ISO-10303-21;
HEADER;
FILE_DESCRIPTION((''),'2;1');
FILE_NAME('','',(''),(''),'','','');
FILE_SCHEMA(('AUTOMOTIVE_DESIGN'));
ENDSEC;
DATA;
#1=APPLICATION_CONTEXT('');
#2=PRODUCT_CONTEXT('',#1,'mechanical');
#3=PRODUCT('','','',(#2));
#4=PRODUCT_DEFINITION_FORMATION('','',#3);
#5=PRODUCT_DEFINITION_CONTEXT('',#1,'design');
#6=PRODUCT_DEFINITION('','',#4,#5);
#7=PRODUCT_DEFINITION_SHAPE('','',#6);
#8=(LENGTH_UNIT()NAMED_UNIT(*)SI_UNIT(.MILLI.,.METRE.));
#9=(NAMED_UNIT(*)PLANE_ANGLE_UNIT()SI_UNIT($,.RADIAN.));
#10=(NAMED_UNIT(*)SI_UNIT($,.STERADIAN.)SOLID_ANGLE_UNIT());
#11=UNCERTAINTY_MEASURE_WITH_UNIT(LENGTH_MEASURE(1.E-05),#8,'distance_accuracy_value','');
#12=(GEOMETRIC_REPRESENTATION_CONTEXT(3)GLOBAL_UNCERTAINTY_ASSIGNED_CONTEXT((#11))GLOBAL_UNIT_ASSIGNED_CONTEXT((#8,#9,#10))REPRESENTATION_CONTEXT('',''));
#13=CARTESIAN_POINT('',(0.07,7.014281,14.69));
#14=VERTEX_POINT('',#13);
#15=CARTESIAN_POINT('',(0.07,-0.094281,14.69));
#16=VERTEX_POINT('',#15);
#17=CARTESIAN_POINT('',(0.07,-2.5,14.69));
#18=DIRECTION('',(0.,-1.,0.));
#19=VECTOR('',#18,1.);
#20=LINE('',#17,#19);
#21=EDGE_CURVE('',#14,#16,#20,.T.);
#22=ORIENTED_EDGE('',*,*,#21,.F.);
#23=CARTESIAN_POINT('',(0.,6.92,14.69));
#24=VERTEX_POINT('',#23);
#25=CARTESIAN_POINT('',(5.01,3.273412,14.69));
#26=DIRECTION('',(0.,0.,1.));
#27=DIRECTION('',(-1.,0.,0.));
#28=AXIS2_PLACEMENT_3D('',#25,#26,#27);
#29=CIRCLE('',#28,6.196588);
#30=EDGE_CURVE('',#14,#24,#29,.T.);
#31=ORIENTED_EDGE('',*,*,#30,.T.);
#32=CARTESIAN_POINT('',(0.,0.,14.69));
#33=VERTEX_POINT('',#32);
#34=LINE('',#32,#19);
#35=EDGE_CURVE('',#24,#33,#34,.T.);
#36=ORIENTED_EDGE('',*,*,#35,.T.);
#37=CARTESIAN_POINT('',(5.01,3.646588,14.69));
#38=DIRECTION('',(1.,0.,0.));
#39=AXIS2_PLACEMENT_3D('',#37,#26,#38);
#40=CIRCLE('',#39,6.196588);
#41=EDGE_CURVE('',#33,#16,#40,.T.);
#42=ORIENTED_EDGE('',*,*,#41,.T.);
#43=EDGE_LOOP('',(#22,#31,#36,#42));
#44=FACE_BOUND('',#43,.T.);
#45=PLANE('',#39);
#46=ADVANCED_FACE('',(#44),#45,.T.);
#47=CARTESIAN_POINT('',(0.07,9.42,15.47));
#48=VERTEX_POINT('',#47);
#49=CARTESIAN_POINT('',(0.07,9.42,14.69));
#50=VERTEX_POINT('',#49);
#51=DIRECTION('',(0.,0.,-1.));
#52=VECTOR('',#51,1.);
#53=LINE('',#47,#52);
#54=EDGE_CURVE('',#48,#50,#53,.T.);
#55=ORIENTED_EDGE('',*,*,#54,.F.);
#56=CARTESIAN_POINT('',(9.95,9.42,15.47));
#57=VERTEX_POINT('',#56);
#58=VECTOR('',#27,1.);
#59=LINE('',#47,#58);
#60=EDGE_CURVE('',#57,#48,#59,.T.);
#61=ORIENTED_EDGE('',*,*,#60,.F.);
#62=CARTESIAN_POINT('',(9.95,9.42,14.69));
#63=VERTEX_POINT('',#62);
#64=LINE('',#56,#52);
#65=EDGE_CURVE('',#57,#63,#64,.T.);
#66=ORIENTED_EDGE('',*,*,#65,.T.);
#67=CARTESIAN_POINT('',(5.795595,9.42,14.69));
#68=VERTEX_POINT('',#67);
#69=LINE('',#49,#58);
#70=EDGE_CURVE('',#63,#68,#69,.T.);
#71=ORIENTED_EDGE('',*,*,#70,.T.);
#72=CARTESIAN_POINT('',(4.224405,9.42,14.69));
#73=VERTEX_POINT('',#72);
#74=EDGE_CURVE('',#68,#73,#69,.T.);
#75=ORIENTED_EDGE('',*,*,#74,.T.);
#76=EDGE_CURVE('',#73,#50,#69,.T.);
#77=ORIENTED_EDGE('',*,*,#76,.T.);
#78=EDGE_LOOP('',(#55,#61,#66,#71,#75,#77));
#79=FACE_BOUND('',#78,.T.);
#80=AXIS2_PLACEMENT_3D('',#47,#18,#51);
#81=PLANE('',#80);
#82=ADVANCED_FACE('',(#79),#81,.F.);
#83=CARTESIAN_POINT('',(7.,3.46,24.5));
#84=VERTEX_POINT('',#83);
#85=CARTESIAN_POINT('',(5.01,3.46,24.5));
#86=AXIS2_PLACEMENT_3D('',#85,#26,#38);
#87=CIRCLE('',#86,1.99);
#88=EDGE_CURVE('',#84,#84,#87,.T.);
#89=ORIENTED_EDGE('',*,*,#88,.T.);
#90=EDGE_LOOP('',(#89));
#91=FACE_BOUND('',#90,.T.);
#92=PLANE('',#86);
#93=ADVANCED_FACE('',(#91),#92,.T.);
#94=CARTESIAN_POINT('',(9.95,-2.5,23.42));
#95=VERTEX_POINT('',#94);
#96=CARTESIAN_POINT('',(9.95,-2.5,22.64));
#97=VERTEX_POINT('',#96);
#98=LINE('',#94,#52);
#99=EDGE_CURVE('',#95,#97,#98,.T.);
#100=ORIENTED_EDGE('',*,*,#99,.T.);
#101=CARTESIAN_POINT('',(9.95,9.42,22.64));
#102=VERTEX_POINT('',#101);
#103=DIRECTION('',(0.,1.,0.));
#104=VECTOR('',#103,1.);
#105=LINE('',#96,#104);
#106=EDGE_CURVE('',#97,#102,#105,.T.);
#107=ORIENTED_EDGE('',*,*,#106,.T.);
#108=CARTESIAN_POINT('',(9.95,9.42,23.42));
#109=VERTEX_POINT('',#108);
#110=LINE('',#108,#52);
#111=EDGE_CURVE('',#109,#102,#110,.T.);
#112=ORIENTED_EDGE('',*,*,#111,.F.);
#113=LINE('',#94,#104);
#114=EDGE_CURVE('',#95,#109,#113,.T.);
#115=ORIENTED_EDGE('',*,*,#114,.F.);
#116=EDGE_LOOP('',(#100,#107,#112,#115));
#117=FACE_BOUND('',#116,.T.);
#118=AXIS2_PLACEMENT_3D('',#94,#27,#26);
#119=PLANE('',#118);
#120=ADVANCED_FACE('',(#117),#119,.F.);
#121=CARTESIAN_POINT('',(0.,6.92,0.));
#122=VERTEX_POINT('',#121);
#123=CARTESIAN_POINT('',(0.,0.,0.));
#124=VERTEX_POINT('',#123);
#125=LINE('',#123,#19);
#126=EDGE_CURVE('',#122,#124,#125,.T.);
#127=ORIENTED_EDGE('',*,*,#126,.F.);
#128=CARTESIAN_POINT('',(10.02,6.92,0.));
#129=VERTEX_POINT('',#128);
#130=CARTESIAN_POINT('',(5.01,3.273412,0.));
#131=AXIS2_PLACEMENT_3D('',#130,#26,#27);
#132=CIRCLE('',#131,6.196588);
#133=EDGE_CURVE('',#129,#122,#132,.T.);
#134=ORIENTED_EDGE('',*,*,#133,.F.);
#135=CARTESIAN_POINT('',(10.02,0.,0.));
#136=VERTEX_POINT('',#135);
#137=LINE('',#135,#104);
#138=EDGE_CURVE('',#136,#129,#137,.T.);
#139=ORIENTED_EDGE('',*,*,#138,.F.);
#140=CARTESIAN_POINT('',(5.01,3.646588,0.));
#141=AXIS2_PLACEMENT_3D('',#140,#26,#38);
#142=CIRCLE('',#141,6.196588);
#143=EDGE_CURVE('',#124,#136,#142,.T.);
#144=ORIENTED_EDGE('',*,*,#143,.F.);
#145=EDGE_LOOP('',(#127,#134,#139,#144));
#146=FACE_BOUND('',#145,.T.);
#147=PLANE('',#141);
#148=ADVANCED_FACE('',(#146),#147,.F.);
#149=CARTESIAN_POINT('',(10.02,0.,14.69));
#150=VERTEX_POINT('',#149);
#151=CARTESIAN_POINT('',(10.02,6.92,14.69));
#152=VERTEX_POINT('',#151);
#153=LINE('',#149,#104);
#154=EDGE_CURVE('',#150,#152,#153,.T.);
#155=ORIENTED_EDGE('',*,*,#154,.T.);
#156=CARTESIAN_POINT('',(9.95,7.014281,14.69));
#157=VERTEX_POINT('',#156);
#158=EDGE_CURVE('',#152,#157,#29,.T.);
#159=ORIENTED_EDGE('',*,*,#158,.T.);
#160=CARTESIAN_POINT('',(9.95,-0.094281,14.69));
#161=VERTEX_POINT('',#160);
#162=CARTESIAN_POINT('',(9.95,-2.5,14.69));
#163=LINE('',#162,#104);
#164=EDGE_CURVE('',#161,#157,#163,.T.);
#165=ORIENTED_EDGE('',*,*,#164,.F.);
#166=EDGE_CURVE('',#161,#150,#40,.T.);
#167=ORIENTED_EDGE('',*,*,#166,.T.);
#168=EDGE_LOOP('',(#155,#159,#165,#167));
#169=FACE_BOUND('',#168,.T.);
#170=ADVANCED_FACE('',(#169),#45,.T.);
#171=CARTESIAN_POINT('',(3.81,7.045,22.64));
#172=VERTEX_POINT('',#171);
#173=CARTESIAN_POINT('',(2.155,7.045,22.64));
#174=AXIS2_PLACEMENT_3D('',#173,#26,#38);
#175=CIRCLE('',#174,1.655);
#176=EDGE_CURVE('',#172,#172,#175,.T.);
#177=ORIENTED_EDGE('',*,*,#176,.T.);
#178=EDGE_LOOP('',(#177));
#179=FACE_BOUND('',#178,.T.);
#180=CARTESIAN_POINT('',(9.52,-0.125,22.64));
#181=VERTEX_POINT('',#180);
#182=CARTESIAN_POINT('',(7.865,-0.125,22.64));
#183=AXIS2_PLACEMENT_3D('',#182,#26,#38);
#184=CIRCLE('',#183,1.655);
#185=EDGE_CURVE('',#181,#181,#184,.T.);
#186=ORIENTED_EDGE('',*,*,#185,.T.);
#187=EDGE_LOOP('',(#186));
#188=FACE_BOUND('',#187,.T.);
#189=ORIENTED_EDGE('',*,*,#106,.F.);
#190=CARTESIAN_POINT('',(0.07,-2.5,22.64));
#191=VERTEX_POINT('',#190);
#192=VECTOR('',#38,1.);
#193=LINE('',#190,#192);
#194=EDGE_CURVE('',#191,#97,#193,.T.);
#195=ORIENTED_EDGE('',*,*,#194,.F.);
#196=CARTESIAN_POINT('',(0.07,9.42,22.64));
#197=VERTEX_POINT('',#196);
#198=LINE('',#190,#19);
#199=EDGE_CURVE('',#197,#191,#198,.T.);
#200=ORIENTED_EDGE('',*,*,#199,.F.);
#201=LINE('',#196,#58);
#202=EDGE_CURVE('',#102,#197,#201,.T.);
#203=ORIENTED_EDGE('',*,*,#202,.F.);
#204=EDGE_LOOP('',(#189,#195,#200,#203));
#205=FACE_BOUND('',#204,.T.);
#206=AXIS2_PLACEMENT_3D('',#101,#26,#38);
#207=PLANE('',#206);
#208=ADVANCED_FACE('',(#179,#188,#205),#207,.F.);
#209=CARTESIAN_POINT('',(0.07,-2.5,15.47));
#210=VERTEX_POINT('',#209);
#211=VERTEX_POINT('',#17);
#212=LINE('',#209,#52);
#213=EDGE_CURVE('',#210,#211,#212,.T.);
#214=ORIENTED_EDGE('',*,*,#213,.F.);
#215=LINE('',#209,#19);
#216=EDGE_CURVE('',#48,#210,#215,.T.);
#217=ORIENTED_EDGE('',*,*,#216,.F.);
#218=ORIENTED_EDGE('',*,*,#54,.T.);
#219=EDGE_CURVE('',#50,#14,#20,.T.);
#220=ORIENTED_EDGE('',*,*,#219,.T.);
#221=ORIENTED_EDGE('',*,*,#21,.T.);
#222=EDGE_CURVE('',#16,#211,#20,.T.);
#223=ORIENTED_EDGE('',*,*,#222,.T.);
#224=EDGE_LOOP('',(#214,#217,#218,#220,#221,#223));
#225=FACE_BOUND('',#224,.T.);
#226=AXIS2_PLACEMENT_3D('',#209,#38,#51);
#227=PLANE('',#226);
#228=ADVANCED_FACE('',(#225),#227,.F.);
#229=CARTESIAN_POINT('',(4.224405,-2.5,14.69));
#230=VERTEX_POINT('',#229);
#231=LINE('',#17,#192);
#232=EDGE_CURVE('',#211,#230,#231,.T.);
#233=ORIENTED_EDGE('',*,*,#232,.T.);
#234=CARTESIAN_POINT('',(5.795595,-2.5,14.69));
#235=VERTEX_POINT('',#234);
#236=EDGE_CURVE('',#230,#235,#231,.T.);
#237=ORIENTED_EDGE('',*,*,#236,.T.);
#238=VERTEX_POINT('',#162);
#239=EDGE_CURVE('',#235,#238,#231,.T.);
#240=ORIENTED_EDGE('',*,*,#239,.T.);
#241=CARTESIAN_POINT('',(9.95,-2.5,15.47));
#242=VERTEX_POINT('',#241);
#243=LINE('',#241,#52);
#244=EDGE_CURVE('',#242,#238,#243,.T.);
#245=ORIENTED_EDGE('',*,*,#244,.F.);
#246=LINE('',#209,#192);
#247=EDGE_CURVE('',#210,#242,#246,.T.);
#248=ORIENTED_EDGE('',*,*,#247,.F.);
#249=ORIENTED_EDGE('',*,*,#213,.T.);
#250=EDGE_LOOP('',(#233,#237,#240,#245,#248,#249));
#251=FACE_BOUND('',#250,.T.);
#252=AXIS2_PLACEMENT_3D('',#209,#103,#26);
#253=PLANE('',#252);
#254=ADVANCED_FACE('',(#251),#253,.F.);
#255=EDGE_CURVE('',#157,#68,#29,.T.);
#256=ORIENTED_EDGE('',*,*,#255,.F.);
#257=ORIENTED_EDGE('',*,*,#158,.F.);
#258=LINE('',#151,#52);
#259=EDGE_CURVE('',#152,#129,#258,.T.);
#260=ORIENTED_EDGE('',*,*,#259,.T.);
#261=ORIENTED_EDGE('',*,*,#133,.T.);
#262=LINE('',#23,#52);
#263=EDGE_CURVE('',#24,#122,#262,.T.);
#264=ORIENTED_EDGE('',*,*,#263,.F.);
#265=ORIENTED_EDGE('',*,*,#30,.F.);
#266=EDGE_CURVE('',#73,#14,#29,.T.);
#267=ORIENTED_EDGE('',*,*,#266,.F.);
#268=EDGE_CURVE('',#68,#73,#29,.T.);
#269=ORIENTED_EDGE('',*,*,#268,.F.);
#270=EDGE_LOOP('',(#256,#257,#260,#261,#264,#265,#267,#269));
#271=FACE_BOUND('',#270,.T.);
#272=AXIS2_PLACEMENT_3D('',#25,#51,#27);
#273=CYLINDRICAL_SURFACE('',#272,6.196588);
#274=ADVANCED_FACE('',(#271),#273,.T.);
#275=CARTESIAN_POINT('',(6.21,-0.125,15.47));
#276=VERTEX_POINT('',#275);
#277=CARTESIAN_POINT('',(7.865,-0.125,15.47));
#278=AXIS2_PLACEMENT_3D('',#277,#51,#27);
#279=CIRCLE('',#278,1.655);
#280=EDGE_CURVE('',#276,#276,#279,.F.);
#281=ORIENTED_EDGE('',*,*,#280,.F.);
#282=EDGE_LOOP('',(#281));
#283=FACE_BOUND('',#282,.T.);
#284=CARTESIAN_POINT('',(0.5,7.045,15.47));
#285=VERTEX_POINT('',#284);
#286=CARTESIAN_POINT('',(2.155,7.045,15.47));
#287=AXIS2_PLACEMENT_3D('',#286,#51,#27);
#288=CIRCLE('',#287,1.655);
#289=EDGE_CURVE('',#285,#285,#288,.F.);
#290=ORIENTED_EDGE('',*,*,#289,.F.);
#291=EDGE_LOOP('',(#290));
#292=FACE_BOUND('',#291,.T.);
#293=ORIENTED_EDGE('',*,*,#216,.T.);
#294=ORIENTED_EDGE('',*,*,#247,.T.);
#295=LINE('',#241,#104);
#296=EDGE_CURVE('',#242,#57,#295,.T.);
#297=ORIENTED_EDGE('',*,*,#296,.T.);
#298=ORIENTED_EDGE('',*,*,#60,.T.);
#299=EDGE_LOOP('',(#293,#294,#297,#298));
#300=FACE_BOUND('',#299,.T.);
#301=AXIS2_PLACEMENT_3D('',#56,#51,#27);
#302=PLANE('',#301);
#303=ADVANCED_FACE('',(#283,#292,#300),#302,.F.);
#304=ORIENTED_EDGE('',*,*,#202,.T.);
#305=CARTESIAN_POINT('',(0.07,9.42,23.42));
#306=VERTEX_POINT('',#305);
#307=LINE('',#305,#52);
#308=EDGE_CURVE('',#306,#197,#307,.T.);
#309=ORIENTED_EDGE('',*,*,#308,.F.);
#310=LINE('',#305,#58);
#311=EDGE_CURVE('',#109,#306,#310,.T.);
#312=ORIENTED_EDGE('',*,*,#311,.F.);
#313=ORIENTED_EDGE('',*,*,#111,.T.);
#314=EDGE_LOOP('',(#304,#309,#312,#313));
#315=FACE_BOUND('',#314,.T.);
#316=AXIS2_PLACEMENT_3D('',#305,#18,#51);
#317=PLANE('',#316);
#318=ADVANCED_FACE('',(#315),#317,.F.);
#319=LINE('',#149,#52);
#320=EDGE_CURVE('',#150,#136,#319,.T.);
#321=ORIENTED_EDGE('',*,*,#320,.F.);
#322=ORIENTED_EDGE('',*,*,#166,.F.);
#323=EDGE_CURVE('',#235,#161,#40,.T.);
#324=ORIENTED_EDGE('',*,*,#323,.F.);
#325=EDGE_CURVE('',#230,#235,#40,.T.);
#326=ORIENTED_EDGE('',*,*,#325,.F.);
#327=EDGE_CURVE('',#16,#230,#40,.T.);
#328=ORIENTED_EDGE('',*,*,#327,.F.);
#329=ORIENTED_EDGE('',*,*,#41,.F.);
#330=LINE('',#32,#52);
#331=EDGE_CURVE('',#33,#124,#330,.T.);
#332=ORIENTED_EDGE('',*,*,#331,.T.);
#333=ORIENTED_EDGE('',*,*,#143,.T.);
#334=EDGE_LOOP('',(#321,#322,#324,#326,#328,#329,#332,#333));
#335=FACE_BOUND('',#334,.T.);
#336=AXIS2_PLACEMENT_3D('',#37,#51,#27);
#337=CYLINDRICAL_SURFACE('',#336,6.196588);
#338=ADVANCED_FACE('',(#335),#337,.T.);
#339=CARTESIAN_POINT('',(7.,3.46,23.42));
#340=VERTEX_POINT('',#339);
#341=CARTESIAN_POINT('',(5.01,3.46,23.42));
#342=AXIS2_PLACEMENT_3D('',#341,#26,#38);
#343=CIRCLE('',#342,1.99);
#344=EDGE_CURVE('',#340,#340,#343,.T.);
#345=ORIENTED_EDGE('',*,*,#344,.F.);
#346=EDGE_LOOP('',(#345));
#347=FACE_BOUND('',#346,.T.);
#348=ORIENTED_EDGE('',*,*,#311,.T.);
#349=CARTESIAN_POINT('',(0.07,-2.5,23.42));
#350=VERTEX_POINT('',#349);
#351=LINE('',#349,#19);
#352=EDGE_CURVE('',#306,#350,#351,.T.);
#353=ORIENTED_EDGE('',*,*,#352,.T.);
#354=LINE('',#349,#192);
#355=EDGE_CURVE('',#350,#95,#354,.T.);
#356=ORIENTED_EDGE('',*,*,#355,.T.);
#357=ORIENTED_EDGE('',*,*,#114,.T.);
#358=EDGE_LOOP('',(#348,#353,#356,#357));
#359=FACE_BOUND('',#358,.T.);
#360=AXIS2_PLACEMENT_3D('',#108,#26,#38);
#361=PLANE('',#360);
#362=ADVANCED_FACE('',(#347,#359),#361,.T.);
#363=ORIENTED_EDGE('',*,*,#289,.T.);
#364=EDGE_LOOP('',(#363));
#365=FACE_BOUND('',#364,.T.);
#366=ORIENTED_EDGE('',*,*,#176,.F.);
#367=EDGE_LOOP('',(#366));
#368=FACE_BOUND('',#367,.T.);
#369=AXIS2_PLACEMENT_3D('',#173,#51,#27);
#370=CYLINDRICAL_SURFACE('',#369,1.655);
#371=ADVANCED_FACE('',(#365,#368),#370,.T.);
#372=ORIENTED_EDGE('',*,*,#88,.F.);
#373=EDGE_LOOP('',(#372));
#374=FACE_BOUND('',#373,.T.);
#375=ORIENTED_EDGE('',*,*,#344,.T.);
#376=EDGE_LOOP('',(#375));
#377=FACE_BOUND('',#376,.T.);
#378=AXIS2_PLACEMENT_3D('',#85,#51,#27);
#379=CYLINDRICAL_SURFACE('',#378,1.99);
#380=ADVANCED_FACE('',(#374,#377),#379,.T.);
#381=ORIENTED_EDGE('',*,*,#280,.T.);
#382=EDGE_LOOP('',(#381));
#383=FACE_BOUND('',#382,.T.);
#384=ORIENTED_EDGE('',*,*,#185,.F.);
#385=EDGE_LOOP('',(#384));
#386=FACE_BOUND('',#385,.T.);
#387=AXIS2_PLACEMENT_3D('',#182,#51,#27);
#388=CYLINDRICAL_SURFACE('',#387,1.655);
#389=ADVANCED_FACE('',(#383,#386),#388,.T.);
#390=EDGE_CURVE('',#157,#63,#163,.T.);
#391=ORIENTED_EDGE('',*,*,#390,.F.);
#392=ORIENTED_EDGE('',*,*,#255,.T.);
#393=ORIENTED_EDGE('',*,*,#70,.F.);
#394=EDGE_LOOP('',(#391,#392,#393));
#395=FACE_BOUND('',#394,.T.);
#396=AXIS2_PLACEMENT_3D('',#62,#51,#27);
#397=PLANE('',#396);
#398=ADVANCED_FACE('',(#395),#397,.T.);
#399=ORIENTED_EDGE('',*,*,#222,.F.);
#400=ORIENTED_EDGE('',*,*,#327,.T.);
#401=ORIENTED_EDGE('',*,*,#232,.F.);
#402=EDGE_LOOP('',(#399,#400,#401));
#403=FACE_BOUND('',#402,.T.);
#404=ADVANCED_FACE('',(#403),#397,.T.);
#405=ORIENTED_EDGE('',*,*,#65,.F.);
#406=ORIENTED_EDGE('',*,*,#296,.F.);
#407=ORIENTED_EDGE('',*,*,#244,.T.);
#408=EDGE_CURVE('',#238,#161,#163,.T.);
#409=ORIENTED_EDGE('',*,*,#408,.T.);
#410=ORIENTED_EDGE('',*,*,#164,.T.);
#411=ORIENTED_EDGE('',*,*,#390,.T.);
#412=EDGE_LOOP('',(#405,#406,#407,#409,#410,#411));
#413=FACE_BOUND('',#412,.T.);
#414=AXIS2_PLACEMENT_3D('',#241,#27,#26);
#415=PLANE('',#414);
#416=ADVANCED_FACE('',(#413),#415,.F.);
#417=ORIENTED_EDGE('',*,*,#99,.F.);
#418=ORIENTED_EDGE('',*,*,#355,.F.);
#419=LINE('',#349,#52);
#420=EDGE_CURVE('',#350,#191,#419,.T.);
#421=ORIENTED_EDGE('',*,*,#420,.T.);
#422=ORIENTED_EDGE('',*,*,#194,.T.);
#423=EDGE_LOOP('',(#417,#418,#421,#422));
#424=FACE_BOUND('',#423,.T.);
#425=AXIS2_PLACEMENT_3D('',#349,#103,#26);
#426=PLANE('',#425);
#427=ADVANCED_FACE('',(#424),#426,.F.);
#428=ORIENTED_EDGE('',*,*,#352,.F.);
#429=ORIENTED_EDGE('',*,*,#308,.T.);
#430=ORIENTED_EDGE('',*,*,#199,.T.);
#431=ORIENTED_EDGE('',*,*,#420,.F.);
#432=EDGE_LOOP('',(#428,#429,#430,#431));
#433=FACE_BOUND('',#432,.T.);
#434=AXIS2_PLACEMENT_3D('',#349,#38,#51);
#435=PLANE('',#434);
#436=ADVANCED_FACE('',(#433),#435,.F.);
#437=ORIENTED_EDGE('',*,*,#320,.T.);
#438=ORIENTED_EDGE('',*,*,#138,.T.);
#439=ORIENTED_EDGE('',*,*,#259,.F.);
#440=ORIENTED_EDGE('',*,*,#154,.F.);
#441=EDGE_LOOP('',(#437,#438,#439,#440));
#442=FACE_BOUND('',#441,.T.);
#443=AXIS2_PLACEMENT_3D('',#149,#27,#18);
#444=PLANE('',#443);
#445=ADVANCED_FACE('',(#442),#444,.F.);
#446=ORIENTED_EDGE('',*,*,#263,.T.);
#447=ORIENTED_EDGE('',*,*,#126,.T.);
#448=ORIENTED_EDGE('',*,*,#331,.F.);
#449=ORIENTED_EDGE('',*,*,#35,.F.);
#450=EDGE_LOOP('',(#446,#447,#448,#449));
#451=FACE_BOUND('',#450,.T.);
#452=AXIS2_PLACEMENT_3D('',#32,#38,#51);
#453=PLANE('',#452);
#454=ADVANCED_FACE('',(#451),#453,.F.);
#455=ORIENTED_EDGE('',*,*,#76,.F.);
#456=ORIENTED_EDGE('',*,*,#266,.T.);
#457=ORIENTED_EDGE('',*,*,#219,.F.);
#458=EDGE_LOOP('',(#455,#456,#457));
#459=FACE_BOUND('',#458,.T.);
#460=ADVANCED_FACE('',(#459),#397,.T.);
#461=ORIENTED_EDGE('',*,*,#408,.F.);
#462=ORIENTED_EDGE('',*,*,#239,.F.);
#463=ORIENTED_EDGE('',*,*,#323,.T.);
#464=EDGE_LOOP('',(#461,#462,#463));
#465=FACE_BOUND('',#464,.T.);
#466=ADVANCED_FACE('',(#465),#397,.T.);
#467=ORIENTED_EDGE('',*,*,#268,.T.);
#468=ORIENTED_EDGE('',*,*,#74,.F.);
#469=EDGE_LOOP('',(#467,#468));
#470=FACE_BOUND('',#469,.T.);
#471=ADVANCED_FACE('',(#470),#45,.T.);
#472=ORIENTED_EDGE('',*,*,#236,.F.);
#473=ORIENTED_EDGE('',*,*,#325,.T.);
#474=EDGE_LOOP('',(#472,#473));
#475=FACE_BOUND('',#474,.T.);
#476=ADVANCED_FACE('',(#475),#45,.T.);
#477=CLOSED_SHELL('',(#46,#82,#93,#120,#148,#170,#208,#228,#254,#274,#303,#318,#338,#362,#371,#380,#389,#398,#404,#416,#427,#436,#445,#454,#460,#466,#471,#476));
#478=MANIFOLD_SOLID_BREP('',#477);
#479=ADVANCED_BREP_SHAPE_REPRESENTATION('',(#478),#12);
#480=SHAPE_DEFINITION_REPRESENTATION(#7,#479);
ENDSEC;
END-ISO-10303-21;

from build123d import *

# Parameters (mm, degrees)
BOSS_EXTRU_2_DEPTH = 14.69
ESQUISSE2_W        = 9.88
ESQUISSE2_H        = 11.92
BOSS_EXTRU_3_DEPTH = 0.78
ESQUISSE3_R        = 1.655
BOSS_EXTRU_4_DEPTH = 7.17
ESQUISSE4_W        = 9.88
ESQUISSE4_H        = 11.92
BOSS_EXTRU_5_DEPTH = 0.78
ESQUISSE5_R        = 1.99
BOSS_EXTRU_6_DEPTH = 1.08


with BuildPart() as part:
    # Esquisse1 → Boss.-Extru.2 (new body)
    with BuildSketch(Plane.XY):
        with BuildLine():
            Line((0, 0), (0, 6.92))
            ThreePointArc((0, 6.92), (5.01, 9.47), (10.02, 6.92))
            Line((10.02, 6.92), (10.02, 0))
            ThreePointArc((10.02, 0), (5.01, -2.55), (0, 0))
        make_face()
    extrude(amount=BOSS_EXTRU_2_DEPTH)

    # Esquisse2 → Boss.-Extru.3 (add)
    with BuildSketch(Plane.XY.offset(14.69)):
        with Locations((5.01, 3.46)):
            Rectangle(ESQUISSE2_W, ESQUISSE2_H)
    extrude(amount=BOSS_EXTRU_3_DEPTH)

    # Esquisse3 → Boss.-Extru.4 (add)
    with BuildSketch(Plane.XY.offset(15.47)):
        with Locations((7.865, -0.125)):
            Circle(ESQUISSE3_R)
        with Locations((2.155, 7.045)):
            Circle(ESQUISSE3_R)
    extrude(amount=BOSS_EXTRU_4_DEPTH)

    # Esquisse4 → Boss.-Extru.5 (add)
    with BuildSketch(Plane.XY.offset(22.64)):
        with Locations((5.01, 3.46)):
            Rectangle(ESQUISSE4_W, ESQUISSE4_H)
    extrude(amount=BOSS_EXTRU_5_DEPTH)

    # Esquisse5 → Boss.-Extru.6 (add)
    with BuildSketch(Plane.XY.offset(23.42)):
        with Locations((5.01, 3.46)):
            Circle(ESQUISSE5_R)
    extrude(amount=BOSS_EXTRU_6_DEPTH)


solid = part.part
